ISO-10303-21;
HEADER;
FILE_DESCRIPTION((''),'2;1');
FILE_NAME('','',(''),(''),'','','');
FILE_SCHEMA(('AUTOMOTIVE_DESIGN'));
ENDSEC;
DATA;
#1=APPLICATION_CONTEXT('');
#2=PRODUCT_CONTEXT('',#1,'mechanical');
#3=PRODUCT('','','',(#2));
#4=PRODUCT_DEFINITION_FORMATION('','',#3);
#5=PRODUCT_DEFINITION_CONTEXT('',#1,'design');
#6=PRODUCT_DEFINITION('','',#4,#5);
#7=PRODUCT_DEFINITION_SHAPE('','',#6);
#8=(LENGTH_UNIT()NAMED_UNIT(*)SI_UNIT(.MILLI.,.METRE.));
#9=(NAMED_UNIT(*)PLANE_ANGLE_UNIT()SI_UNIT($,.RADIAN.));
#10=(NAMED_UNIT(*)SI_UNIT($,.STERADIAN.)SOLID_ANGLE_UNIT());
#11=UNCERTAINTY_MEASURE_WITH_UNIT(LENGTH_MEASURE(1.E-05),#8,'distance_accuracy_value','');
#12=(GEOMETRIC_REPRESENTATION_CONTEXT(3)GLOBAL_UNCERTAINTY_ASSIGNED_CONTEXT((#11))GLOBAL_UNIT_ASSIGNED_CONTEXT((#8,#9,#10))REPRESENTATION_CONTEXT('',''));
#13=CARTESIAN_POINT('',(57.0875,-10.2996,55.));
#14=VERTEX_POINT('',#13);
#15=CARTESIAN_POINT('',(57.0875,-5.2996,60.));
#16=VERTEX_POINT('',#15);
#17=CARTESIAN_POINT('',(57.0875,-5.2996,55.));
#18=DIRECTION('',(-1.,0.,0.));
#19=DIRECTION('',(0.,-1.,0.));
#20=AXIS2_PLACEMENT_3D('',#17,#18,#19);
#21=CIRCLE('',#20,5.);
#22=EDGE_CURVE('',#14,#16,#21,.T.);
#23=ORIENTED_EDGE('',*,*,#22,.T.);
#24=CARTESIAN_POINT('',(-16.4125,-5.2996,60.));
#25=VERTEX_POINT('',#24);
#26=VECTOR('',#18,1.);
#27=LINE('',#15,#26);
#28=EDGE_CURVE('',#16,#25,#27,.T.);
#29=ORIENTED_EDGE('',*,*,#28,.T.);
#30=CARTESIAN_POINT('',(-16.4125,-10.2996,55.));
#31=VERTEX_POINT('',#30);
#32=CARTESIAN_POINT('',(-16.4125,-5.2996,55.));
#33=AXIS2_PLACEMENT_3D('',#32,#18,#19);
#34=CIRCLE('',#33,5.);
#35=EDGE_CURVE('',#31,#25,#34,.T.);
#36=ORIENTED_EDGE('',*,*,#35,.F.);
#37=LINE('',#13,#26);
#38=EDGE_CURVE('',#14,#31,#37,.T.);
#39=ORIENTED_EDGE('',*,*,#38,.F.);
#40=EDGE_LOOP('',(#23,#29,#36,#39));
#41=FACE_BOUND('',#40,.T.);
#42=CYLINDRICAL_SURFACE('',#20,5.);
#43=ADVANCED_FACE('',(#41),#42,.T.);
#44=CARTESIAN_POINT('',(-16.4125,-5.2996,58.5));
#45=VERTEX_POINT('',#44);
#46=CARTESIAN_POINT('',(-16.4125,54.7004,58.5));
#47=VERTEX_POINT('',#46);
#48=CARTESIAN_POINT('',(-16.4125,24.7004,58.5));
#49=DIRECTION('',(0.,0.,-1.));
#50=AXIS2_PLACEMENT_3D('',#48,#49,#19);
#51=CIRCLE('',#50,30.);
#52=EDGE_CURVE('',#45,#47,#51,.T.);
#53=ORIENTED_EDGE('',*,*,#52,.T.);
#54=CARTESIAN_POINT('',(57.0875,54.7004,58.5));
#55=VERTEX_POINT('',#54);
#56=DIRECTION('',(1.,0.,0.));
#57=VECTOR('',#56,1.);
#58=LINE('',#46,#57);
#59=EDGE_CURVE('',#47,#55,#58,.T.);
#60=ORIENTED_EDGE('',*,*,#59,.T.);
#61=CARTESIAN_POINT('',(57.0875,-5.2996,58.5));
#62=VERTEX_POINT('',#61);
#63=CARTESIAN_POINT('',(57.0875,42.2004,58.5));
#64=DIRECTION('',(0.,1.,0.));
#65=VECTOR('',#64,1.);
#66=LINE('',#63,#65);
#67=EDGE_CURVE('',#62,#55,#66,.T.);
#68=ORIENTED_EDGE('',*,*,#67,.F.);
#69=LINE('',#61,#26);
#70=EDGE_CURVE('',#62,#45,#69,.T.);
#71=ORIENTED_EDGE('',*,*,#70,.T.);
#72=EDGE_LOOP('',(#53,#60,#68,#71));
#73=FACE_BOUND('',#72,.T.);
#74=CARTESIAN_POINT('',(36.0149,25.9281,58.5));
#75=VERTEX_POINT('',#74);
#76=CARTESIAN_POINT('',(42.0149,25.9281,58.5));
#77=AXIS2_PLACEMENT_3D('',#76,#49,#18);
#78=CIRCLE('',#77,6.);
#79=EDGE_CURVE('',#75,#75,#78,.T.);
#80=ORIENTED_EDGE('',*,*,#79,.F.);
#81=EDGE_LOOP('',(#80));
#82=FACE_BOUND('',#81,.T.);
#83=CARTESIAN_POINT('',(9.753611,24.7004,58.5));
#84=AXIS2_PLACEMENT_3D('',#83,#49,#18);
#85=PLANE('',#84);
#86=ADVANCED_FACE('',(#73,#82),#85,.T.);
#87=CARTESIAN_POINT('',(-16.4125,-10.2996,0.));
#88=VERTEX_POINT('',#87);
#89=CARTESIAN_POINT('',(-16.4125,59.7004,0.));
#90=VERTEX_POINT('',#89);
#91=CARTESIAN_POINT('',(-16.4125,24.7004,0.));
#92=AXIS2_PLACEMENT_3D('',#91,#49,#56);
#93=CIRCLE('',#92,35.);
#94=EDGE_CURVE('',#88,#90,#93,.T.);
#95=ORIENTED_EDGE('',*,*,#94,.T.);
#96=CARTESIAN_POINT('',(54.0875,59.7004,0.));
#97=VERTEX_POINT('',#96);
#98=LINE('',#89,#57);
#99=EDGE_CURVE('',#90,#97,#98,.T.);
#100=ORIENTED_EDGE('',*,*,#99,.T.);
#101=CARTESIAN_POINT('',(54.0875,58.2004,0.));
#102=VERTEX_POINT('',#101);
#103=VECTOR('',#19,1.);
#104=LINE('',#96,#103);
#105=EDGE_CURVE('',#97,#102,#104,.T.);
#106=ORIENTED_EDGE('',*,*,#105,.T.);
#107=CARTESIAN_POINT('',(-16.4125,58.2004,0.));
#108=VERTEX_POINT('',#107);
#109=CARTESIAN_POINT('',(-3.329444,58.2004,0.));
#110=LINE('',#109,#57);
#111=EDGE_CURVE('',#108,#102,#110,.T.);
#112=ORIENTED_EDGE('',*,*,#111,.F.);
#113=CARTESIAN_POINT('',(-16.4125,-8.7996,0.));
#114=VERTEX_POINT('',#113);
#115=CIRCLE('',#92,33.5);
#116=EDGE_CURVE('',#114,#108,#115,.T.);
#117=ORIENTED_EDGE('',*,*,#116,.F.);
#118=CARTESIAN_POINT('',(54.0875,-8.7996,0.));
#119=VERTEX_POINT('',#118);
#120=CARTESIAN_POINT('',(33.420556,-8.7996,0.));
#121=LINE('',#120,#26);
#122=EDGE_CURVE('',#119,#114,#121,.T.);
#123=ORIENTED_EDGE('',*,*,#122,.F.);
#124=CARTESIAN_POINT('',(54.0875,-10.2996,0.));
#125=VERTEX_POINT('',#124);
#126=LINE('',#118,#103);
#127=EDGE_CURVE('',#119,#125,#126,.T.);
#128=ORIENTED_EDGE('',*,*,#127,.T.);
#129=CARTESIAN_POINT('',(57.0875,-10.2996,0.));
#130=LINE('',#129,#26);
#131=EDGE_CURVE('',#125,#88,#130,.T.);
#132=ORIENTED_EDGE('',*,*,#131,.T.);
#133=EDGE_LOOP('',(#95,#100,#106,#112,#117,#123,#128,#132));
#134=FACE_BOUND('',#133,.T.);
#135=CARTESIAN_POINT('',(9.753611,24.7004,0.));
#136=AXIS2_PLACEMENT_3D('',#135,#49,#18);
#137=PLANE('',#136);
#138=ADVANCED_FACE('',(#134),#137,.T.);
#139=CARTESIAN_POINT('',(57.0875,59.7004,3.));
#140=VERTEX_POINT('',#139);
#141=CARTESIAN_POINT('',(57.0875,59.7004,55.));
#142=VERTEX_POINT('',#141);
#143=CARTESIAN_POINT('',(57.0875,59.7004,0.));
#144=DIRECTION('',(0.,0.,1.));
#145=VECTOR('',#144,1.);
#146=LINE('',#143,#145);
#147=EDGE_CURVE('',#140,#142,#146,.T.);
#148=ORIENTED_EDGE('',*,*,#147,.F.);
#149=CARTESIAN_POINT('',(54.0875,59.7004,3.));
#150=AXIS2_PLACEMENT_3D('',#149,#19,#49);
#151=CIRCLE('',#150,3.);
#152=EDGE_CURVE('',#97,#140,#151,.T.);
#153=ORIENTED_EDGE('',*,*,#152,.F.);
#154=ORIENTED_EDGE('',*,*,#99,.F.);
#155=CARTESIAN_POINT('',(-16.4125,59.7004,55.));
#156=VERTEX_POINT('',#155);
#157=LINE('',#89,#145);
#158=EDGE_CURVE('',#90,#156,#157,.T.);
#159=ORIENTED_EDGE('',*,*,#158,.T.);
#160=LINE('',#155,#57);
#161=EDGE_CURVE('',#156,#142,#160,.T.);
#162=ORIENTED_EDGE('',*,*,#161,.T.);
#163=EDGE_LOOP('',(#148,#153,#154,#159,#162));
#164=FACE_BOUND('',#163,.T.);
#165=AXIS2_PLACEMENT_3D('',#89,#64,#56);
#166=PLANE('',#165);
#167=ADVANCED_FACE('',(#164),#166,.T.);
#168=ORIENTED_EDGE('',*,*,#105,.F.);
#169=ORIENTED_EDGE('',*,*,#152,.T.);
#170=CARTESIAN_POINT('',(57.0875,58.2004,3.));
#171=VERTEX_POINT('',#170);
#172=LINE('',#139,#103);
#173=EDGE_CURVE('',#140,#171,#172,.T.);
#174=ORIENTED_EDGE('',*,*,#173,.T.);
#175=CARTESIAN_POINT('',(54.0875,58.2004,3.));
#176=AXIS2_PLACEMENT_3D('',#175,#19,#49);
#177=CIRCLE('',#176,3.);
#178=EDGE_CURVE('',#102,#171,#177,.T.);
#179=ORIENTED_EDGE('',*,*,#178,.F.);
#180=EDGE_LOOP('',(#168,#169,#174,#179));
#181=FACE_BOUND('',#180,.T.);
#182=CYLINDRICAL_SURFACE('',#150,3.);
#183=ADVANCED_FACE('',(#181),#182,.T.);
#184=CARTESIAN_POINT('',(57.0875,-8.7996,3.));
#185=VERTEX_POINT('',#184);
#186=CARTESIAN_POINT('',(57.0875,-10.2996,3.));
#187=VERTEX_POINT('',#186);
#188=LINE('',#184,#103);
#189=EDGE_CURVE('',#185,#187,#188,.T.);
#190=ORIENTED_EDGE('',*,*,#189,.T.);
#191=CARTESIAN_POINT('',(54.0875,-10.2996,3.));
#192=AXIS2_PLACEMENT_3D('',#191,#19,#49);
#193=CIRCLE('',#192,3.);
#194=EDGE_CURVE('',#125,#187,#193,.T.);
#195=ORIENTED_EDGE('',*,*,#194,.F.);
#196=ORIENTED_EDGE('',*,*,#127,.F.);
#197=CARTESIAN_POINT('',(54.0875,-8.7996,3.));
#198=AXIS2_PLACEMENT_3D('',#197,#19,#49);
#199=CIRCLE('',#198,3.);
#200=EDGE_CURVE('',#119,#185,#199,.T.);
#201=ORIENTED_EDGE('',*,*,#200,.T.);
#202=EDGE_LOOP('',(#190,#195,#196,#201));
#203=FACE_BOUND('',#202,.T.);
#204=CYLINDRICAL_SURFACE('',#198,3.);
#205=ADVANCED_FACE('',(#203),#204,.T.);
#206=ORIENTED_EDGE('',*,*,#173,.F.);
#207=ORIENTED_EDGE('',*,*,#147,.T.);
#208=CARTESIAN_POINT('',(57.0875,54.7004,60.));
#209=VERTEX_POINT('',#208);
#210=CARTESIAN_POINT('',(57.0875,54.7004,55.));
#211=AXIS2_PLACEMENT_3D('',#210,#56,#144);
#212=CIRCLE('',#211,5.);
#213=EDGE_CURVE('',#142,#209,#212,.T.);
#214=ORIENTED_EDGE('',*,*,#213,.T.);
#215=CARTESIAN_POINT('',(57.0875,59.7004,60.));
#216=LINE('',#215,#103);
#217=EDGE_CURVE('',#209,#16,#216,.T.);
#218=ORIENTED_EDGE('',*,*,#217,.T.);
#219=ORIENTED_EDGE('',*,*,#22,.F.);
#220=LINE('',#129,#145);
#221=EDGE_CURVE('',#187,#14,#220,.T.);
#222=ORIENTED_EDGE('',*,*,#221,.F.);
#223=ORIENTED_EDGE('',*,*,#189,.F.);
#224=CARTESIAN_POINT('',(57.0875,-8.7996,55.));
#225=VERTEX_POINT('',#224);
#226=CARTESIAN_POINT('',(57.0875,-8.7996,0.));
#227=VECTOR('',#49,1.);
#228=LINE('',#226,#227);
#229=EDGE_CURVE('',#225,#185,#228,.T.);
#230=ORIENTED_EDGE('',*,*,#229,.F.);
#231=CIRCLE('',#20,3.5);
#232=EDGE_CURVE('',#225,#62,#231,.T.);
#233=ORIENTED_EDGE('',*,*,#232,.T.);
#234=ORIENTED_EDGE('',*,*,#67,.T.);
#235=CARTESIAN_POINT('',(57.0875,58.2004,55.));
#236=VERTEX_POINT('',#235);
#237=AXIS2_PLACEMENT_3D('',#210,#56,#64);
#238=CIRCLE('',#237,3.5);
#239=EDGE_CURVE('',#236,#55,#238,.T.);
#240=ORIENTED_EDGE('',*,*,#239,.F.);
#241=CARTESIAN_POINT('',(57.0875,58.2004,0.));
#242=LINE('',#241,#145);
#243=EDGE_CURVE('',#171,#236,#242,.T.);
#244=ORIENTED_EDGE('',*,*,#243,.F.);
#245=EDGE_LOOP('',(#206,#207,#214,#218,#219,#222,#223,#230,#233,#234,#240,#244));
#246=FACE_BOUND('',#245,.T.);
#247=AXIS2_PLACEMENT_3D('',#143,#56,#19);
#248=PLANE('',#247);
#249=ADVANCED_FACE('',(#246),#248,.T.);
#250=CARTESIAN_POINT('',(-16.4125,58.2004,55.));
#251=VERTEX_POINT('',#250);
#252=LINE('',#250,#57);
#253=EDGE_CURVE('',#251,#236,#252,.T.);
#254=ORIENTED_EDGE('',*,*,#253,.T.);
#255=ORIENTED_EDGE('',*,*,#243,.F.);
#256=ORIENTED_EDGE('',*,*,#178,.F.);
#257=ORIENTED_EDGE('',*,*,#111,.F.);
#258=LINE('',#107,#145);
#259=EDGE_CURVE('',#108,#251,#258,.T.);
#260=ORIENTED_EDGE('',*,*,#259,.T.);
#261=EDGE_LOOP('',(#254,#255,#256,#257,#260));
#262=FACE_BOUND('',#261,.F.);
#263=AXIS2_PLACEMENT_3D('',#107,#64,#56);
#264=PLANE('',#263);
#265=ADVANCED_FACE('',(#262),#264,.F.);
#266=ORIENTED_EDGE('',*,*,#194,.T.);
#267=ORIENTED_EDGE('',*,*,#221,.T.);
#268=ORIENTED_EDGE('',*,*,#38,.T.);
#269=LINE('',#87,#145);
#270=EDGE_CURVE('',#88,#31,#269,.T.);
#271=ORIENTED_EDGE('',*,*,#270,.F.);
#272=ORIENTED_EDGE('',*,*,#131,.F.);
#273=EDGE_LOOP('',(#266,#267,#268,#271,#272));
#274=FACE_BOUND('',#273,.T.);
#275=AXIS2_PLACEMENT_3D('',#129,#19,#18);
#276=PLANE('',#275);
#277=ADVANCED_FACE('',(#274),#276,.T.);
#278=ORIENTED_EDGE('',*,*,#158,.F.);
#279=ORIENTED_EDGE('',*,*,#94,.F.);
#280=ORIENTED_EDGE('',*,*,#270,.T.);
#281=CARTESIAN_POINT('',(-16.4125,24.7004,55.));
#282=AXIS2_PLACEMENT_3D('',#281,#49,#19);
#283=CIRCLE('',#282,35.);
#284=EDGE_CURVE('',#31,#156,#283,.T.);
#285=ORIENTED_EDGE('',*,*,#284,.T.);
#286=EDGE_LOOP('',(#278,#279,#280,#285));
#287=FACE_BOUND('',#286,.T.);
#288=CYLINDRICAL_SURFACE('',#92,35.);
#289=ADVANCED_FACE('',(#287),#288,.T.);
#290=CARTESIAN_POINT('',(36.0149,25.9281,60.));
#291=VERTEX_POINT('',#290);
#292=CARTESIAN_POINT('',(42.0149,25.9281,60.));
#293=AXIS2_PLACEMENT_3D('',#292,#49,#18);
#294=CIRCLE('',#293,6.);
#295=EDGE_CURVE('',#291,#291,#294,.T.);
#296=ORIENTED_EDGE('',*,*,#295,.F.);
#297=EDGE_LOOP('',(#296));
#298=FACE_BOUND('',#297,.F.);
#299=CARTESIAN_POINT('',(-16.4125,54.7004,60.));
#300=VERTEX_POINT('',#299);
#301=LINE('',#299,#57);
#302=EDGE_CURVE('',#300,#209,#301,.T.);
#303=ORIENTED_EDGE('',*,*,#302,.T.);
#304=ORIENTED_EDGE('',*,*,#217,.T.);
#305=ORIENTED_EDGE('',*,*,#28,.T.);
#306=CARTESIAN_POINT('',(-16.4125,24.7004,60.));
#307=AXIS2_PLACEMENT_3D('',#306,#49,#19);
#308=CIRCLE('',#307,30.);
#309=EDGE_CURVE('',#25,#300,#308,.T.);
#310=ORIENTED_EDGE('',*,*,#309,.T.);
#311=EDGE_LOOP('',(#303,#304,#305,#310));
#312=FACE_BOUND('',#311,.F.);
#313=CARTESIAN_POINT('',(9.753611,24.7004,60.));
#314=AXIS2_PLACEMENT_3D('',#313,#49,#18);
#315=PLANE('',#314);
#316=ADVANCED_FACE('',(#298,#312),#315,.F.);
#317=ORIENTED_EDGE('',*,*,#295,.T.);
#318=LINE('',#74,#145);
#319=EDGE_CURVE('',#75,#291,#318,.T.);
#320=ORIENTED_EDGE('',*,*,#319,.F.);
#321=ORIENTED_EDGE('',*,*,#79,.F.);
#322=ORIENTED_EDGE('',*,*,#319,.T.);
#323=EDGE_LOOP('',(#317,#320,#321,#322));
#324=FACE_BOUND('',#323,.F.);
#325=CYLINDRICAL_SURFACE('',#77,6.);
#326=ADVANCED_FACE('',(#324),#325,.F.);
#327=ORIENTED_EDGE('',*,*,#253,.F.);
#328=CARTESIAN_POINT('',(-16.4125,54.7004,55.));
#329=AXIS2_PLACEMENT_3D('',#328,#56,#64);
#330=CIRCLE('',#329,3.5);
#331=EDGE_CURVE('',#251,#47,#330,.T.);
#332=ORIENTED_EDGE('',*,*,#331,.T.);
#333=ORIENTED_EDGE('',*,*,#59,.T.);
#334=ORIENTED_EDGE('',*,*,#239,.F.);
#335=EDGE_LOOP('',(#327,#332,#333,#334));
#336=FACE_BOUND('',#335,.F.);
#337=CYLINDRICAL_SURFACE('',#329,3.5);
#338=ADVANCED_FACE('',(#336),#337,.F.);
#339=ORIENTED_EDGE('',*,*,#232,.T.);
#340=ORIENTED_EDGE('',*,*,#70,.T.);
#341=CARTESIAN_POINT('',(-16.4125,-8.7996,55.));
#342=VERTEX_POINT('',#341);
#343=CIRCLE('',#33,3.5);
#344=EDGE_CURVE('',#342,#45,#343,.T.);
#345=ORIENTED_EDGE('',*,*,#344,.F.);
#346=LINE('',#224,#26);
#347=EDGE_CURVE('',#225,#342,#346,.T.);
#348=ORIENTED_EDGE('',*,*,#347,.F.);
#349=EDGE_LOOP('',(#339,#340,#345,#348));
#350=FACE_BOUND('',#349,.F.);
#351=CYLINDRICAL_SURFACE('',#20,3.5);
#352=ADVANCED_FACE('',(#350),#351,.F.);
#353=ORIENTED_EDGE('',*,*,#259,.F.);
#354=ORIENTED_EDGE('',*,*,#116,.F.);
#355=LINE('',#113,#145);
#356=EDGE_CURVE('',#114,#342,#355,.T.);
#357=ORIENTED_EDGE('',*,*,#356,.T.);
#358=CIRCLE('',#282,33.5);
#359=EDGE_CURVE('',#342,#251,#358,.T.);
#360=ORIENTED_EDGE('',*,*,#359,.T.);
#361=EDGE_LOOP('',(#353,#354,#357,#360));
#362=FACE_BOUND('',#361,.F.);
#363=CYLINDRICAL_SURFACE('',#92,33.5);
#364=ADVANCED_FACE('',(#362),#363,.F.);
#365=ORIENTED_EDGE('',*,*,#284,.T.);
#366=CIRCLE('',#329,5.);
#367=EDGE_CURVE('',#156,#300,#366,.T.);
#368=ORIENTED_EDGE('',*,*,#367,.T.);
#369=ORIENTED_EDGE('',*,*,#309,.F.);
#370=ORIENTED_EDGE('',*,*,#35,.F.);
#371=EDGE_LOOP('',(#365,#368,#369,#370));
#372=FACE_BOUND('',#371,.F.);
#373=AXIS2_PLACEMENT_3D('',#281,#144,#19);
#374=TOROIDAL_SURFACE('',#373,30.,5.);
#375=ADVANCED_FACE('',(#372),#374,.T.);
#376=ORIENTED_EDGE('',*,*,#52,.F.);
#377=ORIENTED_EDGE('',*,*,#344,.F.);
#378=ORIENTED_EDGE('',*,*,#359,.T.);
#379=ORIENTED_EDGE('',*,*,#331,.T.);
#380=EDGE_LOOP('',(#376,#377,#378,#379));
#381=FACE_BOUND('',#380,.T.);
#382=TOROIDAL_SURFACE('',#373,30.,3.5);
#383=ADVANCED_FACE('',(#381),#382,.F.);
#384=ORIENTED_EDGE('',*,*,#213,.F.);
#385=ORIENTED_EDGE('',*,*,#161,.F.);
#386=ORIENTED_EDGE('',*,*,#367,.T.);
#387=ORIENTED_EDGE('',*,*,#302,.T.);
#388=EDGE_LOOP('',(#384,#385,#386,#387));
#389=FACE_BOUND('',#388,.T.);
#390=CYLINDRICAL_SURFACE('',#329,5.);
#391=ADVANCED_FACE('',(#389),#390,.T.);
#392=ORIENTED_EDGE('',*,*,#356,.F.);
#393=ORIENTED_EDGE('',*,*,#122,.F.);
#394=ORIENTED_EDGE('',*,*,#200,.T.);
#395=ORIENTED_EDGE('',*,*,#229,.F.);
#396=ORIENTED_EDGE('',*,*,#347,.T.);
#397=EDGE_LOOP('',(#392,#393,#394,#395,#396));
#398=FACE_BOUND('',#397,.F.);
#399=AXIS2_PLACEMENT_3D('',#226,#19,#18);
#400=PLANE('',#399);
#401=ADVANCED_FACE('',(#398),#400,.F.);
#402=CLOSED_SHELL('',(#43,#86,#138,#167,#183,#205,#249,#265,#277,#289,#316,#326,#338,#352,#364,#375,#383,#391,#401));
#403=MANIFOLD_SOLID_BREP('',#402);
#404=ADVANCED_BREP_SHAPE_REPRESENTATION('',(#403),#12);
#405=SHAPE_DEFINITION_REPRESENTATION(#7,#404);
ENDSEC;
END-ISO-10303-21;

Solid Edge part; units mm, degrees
sketch "Sketch1" plane through (0, 0, 0) normal (0, 0, 1) x (1, 0, 0)
  line L0 (-16.4125, 59.7004) -> (57.0875, 59.7004)
  line L1 (57.0875, 59.7004) -> (57.0875, -10.2996)
  line L2 (57.0875, -10.2996) -> (-16.4125, -10.2996)
  arc A0 (-16.4125, -10.2996) -> (-16.4125, 59.7004) centre (-16.4125, 24.7004) cw
extrude "Protrusion1" add sketch "Sketch1" along normal blind 60
fillet "Round_1" radius 5 3 edges at (-51.4125, 24.7004, 60) (20.3375, 59.7004, 60) (20.3375, -10.2996, 60)
shell "Thinwall_1" thickness 1.5 removed faces 2 at (57.0875, 48.7337, 49.4) at (40.0892, 2.0671, 0)
sketch "Sketch2" plane through (4.5875, 24.7004, 58.5) normal (0, 0, -1) x (-1, 0, 0)
  circle A0 centre (-37.4274, 1.2277) radius 6
extrude "Cutout1" cut sketch "Sketch2" against normal through all
fillet "Round_2" radius 3 2 edges at (57.0875, -9.5496, 0) (57.0875, 58.9504, 0)
